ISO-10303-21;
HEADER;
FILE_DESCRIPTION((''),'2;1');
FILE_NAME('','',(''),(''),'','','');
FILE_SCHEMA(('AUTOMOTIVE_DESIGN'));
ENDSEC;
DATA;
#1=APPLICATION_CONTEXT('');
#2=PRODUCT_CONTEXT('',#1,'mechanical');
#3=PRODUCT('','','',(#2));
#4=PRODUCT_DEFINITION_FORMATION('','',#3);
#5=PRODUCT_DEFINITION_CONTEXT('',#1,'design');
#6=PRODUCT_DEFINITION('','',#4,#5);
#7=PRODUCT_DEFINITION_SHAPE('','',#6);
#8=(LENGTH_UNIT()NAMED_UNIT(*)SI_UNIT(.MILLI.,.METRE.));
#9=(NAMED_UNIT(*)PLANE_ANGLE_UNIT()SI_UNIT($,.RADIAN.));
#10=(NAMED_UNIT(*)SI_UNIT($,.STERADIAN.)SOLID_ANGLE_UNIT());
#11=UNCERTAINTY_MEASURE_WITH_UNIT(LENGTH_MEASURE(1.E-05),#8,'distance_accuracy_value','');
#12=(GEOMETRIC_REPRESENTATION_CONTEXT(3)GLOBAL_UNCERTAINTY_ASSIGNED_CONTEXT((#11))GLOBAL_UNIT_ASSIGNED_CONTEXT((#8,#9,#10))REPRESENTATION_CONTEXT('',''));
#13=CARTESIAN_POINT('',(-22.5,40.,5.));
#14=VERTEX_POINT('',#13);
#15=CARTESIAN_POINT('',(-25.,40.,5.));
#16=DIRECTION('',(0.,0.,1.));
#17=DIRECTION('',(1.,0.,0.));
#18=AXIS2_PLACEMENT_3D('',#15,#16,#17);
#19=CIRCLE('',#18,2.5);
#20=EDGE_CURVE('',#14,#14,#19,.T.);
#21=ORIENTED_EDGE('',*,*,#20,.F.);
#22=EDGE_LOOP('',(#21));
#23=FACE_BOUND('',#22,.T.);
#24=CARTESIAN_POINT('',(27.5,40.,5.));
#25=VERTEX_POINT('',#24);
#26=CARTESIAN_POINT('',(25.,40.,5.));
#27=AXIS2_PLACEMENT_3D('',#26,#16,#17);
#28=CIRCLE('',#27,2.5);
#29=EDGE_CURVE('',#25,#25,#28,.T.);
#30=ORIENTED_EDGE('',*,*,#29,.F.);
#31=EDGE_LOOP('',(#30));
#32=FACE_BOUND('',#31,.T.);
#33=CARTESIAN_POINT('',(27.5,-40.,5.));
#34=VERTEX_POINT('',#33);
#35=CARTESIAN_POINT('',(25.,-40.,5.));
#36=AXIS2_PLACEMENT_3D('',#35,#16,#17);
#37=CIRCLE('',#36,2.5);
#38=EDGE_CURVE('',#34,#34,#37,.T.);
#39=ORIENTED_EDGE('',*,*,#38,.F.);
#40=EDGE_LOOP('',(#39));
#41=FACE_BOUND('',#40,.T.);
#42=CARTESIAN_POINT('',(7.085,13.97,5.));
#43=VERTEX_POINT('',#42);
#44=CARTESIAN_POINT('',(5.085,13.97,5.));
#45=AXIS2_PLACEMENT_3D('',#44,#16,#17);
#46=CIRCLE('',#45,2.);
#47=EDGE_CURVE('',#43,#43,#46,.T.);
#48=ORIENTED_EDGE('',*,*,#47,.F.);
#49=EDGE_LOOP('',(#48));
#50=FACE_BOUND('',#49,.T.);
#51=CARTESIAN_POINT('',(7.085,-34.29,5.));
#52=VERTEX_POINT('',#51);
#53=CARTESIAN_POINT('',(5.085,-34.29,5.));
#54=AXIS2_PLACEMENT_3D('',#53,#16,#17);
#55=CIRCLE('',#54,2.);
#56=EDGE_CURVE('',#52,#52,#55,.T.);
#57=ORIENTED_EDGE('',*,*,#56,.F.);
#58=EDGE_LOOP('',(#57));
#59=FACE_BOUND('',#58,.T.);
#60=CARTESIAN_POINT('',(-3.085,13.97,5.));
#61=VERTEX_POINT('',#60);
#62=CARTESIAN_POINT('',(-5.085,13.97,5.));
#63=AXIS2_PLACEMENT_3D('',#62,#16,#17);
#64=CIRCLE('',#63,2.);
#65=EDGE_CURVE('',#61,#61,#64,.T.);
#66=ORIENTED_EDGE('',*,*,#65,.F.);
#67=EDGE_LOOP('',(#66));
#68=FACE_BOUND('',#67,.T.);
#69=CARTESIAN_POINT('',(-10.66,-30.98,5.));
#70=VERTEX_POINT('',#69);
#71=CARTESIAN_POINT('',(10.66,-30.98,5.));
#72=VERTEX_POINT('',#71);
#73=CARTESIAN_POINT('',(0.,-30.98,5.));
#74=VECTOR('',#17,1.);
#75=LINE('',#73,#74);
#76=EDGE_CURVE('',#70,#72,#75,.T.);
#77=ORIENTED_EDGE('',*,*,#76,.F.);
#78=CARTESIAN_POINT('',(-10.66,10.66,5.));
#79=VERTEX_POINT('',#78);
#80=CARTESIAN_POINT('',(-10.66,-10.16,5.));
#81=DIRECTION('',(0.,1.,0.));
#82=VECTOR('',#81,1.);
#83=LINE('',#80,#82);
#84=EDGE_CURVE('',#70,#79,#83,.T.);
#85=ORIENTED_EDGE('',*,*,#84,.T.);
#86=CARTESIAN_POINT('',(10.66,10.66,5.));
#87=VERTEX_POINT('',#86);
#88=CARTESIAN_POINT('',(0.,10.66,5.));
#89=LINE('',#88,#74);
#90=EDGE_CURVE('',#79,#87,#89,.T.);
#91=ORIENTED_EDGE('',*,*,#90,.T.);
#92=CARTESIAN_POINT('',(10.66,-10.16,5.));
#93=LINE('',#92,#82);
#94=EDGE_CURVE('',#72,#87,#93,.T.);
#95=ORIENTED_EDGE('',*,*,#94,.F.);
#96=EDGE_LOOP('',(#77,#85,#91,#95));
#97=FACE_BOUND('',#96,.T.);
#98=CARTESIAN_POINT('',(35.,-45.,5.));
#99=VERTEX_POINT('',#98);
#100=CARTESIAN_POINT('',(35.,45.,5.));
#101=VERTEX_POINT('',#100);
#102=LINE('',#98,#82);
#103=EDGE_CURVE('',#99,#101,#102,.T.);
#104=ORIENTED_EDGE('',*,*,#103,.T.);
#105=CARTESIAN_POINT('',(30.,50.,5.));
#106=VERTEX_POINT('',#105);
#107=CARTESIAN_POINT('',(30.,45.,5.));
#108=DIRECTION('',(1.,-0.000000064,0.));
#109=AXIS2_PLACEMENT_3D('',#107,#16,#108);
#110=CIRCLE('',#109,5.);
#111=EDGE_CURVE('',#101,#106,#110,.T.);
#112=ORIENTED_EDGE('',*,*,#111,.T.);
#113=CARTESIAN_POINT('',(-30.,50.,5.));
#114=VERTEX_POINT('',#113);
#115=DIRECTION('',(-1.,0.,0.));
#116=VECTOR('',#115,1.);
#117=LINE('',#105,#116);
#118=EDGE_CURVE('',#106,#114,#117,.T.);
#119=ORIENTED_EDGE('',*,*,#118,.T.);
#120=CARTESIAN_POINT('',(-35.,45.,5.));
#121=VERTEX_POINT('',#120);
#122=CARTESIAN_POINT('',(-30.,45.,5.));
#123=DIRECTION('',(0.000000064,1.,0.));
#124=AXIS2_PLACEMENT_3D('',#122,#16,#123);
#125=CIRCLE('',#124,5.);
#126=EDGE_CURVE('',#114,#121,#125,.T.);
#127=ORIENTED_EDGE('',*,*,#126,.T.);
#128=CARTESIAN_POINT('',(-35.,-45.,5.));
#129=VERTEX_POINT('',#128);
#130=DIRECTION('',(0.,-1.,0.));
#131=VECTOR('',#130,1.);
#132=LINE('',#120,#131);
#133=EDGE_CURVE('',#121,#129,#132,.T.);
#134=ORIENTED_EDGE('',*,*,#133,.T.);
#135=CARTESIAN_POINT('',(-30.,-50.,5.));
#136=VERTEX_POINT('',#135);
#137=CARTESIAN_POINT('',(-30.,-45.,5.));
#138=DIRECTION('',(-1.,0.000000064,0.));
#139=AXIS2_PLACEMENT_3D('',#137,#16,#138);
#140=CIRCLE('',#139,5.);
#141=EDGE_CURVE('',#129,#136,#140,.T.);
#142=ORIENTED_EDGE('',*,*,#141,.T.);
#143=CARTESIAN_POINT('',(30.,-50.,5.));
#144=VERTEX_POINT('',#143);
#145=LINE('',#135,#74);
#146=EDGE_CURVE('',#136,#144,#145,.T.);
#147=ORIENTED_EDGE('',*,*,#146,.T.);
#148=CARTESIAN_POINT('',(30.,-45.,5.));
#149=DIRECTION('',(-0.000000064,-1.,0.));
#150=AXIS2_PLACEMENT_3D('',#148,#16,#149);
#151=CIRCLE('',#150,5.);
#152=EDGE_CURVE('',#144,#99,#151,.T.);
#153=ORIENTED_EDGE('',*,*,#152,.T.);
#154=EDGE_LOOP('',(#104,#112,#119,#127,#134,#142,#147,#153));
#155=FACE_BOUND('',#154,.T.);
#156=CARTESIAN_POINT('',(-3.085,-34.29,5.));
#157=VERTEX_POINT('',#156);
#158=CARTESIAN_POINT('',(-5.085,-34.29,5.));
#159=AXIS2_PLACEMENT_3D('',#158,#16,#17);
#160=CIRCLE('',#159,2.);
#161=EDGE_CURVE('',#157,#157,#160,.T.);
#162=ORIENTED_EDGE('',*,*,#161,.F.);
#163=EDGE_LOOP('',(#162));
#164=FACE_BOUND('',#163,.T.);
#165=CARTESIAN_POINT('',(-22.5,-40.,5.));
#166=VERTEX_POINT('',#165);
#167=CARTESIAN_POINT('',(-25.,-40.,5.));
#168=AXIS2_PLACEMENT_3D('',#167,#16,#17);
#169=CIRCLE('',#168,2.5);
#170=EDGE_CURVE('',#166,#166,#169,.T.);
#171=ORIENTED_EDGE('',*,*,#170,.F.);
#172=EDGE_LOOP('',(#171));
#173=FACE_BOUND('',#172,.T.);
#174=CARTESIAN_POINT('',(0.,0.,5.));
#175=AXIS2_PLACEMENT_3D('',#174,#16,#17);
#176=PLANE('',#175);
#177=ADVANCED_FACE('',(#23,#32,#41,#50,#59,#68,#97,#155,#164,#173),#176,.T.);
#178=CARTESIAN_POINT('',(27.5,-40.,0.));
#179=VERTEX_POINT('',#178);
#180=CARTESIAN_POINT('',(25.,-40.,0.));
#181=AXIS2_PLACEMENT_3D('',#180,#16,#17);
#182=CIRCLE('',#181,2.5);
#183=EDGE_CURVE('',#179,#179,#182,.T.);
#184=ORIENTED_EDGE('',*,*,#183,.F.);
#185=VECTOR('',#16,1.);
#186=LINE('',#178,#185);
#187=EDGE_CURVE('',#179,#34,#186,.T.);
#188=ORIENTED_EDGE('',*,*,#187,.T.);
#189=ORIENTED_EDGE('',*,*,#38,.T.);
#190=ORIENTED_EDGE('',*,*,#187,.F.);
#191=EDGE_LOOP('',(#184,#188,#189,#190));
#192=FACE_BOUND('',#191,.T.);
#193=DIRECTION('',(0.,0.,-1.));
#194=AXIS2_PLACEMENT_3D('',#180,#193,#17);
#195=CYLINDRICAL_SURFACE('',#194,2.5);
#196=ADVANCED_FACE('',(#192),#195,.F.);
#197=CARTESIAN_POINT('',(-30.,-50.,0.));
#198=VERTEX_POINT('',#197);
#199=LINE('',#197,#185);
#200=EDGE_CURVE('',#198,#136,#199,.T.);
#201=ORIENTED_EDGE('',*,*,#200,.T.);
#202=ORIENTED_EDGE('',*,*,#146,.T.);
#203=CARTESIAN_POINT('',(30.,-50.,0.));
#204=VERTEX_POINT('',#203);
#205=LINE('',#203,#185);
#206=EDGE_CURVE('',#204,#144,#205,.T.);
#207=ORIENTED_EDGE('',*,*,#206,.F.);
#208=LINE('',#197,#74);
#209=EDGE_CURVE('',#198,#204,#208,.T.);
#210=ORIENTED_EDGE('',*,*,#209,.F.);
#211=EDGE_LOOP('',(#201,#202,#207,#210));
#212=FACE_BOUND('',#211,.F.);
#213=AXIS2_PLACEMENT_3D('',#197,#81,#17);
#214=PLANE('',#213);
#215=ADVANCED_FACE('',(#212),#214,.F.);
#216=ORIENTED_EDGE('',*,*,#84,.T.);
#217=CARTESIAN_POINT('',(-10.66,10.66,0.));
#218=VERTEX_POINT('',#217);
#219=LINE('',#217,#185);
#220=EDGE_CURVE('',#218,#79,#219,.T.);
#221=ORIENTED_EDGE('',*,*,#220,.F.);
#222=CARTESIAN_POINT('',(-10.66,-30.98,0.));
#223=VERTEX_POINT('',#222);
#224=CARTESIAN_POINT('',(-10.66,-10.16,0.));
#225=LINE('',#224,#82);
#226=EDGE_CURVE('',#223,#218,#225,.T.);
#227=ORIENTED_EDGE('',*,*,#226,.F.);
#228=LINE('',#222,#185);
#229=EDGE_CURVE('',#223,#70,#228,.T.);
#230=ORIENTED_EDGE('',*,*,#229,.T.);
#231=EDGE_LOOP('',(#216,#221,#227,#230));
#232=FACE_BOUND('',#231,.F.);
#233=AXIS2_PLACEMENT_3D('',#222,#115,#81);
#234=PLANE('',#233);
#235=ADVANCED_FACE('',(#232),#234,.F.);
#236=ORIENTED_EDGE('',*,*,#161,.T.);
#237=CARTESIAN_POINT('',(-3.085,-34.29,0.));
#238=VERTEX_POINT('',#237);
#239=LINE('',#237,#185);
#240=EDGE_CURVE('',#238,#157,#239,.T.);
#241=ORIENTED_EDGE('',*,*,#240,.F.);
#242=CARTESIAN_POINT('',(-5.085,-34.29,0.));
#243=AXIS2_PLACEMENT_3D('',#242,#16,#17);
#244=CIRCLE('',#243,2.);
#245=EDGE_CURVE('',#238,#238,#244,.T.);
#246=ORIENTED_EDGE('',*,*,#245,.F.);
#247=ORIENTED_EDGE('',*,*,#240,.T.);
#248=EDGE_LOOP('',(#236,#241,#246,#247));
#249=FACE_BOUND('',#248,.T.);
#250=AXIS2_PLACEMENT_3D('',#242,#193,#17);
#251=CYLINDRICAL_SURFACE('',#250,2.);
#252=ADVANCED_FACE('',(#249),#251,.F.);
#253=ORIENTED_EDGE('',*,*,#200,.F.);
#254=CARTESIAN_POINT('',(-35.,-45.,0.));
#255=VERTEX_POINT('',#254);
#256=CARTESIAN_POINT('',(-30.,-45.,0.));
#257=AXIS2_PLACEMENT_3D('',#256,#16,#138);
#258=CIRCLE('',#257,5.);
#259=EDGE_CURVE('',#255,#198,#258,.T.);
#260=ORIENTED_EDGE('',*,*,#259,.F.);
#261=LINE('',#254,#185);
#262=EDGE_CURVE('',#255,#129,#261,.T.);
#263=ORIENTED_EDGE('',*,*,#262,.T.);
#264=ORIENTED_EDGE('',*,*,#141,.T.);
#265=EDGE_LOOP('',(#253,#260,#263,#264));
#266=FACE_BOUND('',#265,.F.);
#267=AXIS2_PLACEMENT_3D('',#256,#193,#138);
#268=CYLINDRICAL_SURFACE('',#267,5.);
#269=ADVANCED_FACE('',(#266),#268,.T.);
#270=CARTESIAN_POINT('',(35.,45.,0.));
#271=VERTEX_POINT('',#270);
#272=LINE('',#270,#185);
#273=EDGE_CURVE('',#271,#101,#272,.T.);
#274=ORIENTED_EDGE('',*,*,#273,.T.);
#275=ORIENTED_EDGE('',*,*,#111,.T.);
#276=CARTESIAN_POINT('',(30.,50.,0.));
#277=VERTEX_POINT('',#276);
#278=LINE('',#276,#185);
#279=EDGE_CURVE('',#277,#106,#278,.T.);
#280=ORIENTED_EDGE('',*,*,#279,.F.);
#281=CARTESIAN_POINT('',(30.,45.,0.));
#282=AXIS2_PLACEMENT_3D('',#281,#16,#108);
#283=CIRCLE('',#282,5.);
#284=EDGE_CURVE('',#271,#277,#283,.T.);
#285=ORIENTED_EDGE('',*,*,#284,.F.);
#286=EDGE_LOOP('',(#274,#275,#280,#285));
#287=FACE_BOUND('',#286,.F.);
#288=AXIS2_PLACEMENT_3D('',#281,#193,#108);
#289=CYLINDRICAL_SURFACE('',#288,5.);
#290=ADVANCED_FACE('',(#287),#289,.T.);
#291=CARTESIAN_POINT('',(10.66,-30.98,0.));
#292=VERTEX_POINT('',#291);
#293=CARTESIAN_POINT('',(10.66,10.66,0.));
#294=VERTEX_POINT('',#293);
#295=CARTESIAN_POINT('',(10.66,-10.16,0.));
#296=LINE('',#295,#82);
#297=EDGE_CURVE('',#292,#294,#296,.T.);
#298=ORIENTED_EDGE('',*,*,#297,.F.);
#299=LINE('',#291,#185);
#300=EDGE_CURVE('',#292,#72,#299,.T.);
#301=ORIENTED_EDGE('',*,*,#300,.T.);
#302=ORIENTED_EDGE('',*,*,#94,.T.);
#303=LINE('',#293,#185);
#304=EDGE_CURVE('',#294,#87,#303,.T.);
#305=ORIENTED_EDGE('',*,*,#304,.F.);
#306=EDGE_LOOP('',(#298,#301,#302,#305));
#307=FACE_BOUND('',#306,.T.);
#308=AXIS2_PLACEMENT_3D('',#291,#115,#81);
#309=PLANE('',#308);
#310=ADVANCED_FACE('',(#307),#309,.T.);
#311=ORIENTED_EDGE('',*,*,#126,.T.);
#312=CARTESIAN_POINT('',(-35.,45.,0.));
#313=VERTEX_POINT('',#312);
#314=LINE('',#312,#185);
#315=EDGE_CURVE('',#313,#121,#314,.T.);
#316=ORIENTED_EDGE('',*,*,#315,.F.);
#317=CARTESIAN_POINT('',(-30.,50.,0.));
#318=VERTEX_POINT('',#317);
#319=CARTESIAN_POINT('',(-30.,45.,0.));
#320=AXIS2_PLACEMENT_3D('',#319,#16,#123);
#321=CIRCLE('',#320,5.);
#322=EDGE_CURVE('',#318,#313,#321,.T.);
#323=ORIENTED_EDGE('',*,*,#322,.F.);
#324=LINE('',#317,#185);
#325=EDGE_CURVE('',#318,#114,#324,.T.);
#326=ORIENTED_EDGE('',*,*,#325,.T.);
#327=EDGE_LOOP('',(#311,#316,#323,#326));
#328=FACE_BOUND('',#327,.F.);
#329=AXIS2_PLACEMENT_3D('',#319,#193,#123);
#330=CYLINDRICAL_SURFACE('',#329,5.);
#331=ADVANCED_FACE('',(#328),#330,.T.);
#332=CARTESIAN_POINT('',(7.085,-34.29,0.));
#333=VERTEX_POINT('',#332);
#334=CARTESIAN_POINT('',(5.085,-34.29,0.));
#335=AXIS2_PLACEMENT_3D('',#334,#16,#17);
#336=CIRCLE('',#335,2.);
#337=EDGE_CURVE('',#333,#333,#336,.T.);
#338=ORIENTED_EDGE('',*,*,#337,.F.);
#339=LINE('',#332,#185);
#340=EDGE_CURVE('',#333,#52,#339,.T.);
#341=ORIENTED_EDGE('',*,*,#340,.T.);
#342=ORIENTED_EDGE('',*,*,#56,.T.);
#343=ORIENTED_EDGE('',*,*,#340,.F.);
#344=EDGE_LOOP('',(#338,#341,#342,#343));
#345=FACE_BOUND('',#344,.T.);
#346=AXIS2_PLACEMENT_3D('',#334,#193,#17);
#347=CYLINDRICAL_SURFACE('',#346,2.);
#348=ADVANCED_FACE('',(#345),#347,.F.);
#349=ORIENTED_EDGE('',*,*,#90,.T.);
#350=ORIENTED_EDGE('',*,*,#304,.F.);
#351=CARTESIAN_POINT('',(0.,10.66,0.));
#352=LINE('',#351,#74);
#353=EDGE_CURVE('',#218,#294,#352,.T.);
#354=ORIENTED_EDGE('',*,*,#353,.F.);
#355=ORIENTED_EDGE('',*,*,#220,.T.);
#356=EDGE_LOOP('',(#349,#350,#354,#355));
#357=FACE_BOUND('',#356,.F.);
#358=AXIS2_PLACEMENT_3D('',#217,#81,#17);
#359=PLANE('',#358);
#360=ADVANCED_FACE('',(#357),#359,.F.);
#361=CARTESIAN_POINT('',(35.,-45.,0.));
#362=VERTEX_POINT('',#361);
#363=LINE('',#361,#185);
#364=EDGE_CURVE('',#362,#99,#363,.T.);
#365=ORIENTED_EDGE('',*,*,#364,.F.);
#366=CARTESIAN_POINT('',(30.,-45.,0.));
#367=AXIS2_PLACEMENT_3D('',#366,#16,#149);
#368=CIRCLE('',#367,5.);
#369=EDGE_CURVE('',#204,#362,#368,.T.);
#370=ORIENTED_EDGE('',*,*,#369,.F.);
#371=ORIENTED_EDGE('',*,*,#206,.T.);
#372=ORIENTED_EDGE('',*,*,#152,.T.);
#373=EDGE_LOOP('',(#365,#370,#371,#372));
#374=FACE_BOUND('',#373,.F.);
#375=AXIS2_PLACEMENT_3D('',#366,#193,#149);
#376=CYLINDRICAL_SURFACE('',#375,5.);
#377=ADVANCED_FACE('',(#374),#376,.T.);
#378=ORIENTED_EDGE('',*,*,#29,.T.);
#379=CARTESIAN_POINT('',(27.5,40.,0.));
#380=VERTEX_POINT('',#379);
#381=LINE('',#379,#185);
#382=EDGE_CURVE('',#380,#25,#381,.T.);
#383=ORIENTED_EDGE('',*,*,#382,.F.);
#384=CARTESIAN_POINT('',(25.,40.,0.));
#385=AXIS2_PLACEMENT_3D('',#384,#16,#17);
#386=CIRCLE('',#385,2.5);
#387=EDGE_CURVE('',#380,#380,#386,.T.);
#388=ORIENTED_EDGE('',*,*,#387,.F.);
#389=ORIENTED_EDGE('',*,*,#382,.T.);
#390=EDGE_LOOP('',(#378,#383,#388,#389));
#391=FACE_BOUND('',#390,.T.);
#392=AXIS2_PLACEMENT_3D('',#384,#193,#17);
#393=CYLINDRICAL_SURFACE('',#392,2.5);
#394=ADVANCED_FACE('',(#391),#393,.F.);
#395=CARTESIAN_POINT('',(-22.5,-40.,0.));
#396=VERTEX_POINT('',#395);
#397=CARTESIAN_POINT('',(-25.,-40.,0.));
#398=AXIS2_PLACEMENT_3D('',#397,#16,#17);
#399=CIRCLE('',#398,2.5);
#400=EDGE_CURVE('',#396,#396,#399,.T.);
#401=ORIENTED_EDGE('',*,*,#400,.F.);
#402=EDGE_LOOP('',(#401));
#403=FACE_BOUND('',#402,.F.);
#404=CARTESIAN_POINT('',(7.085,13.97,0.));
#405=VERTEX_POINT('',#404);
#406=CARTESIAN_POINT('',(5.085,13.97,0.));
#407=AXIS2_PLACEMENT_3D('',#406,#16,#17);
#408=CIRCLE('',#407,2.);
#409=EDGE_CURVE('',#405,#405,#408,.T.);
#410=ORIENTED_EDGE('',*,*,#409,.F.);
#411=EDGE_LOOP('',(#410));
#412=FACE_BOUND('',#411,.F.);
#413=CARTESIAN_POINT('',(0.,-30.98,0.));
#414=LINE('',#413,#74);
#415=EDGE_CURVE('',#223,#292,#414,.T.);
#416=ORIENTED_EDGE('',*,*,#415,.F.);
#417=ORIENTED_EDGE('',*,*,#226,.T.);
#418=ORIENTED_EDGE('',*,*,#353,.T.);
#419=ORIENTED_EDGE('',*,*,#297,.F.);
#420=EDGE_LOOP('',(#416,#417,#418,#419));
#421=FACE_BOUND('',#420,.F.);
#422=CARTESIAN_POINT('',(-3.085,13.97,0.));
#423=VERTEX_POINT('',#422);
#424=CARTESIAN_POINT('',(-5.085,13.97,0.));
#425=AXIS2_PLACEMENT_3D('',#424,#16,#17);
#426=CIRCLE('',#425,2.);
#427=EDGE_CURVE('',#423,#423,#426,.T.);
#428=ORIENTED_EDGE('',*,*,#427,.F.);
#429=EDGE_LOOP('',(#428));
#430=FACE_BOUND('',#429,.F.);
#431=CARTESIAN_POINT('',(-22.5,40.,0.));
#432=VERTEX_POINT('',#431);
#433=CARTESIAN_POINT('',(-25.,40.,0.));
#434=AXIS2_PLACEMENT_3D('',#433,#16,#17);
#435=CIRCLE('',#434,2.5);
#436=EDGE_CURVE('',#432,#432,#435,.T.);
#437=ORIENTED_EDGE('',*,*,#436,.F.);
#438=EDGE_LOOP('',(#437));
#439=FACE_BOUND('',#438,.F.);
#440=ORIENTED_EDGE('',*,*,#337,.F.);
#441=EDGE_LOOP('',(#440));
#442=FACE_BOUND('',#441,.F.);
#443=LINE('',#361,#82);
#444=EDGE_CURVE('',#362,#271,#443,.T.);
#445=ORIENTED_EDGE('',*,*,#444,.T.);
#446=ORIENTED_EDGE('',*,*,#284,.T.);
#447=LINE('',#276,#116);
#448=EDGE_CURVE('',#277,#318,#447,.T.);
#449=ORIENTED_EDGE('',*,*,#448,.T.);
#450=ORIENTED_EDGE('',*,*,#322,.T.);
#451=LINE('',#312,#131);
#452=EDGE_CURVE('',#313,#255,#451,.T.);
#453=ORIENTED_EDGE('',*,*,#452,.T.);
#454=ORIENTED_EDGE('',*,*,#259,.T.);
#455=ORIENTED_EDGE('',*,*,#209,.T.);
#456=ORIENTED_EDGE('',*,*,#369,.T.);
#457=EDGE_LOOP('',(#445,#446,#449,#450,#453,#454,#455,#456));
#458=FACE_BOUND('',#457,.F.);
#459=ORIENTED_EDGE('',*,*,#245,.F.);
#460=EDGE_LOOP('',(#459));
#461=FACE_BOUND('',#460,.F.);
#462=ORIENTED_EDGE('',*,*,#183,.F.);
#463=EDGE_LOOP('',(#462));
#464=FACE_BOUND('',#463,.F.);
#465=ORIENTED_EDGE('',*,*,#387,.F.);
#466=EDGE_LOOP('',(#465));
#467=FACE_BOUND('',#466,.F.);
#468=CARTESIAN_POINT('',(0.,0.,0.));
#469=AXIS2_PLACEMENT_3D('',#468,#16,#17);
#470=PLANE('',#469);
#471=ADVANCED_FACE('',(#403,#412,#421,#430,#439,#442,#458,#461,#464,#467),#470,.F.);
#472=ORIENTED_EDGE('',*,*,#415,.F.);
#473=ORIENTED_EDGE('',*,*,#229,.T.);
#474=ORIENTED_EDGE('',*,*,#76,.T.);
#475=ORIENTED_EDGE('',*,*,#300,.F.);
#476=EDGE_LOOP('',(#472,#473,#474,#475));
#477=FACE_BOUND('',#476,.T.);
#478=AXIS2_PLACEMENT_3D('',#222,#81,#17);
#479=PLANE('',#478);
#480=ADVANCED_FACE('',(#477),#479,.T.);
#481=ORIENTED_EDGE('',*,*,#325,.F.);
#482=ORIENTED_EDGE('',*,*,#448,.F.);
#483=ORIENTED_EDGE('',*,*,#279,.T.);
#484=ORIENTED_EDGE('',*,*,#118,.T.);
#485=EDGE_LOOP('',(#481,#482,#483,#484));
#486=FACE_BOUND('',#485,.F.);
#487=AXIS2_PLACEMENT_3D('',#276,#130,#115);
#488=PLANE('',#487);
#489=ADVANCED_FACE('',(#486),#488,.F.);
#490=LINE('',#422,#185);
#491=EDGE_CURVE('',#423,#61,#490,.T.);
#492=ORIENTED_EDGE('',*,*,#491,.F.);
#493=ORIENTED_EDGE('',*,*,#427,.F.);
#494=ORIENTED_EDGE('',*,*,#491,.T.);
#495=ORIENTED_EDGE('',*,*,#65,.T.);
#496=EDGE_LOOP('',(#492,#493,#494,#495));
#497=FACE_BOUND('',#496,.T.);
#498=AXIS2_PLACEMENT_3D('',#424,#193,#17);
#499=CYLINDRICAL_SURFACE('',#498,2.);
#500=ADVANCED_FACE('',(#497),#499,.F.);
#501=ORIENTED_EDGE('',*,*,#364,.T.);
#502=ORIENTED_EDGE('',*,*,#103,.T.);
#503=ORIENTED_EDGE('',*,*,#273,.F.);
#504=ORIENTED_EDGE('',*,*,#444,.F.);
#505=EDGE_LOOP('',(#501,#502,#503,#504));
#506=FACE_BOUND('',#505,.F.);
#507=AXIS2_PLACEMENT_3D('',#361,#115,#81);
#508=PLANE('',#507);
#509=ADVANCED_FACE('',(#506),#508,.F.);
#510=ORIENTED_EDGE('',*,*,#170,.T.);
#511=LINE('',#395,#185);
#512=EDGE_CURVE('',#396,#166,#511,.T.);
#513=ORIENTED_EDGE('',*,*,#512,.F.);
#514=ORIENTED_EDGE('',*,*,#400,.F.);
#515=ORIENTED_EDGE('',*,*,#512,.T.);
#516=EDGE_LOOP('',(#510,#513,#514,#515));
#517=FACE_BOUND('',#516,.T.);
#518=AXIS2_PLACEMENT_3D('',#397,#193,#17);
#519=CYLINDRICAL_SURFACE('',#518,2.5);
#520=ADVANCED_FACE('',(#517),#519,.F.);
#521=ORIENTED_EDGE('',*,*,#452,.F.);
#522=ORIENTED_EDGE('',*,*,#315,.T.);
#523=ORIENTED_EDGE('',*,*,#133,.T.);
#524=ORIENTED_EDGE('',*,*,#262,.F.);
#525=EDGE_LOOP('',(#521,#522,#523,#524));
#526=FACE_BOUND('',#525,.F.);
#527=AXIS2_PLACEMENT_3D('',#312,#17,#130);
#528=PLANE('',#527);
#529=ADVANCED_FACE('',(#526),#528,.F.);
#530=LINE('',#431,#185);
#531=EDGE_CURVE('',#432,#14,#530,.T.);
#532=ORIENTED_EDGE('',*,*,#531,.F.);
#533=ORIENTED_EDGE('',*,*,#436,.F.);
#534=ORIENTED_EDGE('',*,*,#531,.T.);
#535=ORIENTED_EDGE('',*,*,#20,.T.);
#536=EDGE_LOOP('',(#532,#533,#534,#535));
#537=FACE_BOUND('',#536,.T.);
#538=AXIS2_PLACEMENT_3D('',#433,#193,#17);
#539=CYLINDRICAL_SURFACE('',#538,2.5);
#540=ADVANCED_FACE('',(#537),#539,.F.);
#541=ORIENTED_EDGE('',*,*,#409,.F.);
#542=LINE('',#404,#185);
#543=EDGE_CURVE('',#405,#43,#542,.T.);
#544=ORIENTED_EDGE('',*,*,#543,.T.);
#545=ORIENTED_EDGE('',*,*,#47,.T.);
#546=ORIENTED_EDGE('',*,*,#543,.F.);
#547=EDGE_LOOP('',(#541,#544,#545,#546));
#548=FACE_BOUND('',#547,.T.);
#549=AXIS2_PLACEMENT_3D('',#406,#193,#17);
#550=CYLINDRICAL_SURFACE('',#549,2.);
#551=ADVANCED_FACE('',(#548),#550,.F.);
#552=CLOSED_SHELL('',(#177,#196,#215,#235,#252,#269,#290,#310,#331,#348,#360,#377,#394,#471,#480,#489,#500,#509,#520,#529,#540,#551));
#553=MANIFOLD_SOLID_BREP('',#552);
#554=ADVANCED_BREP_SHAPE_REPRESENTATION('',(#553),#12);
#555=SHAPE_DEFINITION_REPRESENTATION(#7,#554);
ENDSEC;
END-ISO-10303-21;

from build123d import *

# Parameters (mm, degrees)
F0_R     = 2.5
F0_R_2   = 2
F0_W     = 21.32
F0_H     = 41.64
F1_DEPTH = 5


with BuildPart() as f1:
    # F0 (on Top) → F1 (new body)
    with BuildSketch(Plane.XY):
        with BuildLine():
            Line((30, 50), (-30, 50))
            ThreePointArc((-30, 50), (-33.535534, 48.535534), (-35, 45))
            Line((-35, 45), (-35, -45))
            ThreePointArc((-35, -45), (-33.535534, -48.535534), (-30, -50))
            Line((-30, -50), (30, -50))
            ThreePointArc((30, -50), (33.535534, -48.535534), (35, -45))
            Line((35, -45), (35, 45))
            ThreePointArc((35, 45), (33.535534, 48.535534), (30, 50))
        make_face()
        with Locations((-25, -40)):
            Circle(F0_R, mode=Mode.SUBTRACT)
        with Locations((-5.085, -34.29)):
            Circle(F0_R_2, mode=Mode.SUBTRACT)
        with Locations((5.085, -34.29)):
            Circle(F0_R_2, mode=Mode.SUBTRACT)
        with Locations((25, -40)):
            Circle(F0_R, mode=Mode.SUBTRACT)
        with Locations((0, -10.16)):
            Rectangle(F0_W, F0_H, mode=Mode.SUBTRACT)
        with Locations((-5.085, 13.97)):
            Circle(F0_R_2, mode=Mode.SUBTRACT)
        with Locations((-25, 40)):
            Circle(F0_R, mode=Mode.SUBTRACT)
        with Locations((5.085, 13.97)):
            Circle(F0_R_2, mode=Mode.SUBTRACT)
        with Locations((25, 40)):
            Circle(F0_R, mode=Mode.SUBTRACT)
    extrude(amount=F1_DEPTH)


solid = f1.part
